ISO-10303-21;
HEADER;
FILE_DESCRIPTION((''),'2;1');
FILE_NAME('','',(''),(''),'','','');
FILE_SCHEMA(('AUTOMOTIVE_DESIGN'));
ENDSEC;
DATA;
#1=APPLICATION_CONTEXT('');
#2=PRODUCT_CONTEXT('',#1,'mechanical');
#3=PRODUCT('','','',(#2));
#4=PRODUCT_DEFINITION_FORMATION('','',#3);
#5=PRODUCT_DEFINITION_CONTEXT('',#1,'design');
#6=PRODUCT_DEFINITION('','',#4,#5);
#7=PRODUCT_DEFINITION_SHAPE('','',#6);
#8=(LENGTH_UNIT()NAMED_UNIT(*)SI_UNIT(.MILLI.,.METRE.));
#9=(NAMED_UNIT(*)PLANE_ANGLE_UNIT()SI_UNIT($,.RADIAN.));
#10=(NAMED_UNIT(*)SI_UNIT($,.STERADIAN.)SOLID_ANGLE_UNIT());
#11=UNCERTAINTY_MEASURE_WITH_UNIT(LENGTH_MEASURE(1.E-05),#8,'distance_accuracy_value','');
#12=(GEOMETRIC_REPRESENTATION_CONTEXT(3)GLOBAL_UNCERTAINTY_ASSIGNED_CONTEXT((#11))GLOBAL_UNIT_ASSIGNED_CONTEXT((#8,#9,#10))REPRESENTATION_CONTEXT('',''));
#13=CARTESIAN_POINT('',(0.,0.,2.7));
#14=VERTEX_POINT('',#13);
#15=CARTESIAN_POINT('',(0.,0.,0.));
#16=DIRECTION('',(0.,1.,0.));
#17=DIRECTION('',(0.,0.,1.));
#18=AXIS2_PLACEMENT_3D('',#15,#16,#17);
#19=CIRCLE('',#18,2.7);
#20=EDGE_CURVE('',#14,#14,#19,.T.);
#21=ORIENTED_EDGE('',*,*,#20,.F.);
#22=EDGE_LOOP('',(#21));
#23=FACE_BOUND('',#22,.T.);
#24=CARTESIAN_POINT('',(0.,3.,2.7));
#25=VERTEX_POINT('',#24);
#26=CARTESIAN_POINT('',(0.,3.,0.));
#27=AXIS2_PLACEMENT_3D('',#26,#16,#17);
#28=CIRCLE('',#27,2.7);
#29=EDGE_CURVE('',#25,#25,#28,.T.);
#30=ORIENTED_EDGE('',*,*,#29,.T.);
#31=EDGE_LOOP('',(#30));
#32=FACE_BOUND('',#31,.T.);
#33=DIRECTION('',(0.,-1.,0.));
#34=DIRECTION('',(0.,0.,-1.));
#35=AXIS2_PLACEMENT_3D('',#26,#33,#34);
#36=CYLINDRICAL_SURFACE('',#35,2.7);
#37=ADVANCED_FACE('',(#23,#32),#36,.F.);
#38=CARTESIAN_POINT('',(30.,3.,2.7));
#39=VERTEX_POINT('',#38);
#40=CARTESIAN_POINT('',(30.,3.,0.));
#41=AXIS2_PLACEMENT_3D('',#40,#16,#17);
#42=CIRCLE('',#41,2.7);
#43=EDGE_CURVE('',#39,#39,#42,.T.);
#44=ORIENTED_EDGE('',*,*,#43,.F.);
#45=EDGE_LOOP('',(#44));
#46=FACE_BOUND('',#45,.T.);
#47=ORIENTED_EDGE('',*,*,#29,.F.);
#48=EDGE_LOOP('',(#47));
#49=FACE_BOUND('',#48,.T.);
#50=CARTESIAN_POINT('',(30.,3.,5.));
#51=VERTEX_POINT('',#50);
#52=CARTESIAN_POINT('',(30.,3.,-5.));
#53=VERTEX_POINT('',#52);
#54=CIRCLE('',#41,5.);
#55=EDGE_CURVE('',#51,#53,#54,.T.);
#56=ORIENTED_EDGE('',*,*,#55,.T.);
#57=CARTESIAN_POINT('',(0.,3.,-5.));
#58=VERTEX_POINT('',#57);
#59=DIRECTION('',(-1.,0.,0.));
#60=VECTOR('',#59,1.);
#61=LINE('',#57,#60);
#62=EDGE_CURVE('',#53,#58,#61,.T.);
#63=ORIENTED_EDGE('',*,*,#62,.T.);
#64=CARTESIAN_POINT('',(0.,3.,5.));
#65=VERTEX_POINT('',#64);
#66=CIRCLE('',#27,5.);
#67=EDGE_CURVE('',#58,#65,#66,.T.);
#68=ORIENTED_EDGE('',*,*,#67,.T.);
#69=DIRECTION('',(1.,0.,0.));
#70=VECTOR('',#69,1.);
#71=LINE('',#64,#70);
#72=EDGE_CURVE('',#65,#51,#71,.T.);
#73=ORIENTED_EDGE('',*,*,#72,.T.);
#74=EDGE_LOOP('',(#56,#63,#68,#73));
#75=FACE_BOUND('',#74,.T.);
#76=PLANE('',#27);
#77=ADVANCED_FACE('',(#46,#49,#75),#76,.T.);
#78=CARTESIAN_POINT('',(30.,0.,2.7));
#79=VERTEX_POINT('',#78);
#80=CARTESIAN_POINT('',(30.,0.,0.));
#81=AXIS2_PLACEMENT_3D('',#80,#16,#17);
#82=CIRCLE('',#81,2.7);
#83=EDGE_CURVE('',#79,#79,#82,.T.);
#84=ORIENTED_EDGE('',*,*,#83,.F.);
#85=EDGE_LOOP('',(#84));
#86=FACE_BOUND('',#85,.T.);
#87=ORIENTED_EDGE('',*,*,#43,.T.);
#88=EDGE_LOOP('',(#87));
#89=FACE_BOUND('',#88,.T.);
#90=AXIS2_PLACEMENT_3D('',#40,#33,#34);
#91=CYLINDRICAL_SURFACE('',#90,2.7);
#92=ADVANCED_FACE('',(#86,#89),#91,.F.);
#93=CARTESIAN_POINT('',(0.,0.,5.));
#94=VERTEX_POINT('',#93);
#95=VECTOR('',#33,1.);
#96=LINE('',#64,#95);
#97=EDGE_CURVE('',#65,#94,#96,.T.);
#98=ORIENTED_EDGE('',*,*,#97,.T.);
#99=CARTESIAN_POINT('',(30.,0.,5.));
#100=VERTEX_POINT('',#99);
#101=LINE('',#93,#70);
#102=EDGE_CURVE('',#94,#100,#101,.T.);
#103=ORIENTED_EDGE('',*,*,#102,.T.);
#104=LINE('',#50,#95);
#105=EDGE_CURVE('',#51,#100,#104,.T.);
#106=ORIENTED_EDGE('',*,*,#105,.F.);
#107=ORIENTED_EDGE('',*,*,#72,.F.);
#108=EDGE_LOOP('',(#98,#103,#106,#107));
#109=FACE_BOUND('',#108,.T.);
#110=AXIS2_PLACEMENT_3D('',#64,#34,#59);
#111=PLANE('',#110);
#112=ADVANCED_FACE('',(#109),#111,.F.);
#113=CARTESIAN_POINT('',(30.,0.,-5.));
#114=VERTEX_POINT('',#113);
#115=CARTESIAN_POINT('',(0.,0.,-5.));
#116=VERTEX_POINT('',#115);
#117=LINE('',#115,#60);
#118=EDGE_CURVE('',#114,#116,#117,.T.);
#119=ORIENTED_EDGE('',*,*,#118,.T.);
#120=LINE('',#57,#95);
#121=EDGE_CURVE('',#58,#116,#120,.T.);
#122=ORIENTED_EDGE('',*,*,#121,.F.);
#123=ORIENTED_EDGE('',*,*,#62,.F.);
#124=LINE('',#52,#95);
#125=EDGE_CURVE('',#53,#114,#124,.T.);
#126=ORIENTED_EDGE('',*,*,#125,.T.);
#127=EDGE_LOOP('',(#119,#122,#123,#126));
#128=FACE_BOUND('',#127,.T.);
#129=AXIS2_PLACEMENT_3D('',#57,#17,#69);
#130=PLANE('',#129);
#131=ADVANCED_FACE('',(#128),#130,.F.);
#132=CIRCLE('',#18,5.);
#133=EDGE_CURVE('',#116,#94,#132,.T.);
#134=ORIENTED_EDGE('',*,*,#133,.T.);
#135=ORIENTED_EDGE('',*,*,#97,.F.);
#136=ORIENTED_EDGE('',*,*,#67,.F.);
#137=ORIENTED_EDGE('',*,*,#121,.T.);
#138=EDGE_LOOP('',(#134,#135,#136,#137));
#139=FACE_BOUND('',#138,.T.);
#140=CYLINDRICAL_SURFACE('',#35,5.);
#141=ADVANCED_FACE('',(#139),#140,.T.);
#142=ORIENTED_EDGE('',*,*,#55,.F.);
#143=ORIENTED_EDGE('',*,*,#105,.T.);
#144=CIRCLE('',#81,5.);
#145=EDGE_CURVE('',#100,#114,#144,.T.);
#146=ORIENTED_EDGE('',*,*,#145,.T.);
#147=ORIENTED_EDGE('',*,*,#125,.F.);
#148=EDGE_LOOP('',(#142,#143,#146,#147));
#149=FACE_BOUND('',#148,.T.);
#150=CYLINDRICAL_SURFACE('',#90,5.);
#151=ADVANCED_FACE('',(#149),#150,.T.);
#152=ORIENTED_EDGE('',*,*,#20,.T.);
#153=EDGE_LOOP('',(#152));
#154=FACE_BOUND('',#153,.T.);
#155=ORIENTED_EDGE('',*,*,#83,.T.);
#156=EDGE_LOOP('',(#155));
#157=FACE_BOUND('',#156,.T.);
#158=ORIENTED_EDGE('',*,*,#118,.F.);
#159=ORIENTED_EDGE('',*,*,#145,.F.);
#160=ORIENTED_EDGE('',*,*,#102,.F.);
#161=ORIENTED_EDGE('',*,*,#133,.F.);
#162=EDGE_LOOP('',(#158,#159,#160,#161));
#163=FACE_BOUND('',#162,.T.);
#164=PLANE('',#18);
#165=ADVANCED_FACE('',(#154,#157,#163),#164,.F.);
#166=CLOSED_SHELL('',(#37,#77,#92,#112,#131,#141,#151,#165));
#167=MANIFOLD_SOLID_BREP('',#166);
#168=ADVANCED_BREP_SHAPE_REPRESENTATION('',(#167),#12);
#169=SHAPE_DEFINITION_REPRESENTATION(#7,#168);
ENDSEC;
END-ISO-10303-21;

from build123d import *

# Parameters (mm, degrees)
SKETCH1_R           = 2.7
BOSS_EXTRUDE1_DEPTH = 3


with BuildPart() as part:
    # Sketch1 → Boss-Extrude1 (new body)
    with BuildSketch(Plane(origin=(0, 0, 0), x_dir=(1, 0, 0), z_dir=(0, 1, 0))):
        with BuildLine():
            Line((0, 5), (30, 5))
            ThreePointArc((30, 5), (35, 0), (30, -5))
            Line((30, -5), (0, -5))
            ThreePointArc((0, -5), (-5, 0), (0, 5))
        make_face()
        with Locations(Location((0, 0, 0), (0, 0, 270))):
            Circle(SKETCH1_R, mode=Mode.SUBTRACT)
        with Locations(Location((30, 0, 0), (0, 0, 270))):
            Circle(SKETCH1_R, mode=Mode.SUBTRACT)
    extrude(amount=BOSS_EXTRUDE1_DEPTH)


solid = part.part
